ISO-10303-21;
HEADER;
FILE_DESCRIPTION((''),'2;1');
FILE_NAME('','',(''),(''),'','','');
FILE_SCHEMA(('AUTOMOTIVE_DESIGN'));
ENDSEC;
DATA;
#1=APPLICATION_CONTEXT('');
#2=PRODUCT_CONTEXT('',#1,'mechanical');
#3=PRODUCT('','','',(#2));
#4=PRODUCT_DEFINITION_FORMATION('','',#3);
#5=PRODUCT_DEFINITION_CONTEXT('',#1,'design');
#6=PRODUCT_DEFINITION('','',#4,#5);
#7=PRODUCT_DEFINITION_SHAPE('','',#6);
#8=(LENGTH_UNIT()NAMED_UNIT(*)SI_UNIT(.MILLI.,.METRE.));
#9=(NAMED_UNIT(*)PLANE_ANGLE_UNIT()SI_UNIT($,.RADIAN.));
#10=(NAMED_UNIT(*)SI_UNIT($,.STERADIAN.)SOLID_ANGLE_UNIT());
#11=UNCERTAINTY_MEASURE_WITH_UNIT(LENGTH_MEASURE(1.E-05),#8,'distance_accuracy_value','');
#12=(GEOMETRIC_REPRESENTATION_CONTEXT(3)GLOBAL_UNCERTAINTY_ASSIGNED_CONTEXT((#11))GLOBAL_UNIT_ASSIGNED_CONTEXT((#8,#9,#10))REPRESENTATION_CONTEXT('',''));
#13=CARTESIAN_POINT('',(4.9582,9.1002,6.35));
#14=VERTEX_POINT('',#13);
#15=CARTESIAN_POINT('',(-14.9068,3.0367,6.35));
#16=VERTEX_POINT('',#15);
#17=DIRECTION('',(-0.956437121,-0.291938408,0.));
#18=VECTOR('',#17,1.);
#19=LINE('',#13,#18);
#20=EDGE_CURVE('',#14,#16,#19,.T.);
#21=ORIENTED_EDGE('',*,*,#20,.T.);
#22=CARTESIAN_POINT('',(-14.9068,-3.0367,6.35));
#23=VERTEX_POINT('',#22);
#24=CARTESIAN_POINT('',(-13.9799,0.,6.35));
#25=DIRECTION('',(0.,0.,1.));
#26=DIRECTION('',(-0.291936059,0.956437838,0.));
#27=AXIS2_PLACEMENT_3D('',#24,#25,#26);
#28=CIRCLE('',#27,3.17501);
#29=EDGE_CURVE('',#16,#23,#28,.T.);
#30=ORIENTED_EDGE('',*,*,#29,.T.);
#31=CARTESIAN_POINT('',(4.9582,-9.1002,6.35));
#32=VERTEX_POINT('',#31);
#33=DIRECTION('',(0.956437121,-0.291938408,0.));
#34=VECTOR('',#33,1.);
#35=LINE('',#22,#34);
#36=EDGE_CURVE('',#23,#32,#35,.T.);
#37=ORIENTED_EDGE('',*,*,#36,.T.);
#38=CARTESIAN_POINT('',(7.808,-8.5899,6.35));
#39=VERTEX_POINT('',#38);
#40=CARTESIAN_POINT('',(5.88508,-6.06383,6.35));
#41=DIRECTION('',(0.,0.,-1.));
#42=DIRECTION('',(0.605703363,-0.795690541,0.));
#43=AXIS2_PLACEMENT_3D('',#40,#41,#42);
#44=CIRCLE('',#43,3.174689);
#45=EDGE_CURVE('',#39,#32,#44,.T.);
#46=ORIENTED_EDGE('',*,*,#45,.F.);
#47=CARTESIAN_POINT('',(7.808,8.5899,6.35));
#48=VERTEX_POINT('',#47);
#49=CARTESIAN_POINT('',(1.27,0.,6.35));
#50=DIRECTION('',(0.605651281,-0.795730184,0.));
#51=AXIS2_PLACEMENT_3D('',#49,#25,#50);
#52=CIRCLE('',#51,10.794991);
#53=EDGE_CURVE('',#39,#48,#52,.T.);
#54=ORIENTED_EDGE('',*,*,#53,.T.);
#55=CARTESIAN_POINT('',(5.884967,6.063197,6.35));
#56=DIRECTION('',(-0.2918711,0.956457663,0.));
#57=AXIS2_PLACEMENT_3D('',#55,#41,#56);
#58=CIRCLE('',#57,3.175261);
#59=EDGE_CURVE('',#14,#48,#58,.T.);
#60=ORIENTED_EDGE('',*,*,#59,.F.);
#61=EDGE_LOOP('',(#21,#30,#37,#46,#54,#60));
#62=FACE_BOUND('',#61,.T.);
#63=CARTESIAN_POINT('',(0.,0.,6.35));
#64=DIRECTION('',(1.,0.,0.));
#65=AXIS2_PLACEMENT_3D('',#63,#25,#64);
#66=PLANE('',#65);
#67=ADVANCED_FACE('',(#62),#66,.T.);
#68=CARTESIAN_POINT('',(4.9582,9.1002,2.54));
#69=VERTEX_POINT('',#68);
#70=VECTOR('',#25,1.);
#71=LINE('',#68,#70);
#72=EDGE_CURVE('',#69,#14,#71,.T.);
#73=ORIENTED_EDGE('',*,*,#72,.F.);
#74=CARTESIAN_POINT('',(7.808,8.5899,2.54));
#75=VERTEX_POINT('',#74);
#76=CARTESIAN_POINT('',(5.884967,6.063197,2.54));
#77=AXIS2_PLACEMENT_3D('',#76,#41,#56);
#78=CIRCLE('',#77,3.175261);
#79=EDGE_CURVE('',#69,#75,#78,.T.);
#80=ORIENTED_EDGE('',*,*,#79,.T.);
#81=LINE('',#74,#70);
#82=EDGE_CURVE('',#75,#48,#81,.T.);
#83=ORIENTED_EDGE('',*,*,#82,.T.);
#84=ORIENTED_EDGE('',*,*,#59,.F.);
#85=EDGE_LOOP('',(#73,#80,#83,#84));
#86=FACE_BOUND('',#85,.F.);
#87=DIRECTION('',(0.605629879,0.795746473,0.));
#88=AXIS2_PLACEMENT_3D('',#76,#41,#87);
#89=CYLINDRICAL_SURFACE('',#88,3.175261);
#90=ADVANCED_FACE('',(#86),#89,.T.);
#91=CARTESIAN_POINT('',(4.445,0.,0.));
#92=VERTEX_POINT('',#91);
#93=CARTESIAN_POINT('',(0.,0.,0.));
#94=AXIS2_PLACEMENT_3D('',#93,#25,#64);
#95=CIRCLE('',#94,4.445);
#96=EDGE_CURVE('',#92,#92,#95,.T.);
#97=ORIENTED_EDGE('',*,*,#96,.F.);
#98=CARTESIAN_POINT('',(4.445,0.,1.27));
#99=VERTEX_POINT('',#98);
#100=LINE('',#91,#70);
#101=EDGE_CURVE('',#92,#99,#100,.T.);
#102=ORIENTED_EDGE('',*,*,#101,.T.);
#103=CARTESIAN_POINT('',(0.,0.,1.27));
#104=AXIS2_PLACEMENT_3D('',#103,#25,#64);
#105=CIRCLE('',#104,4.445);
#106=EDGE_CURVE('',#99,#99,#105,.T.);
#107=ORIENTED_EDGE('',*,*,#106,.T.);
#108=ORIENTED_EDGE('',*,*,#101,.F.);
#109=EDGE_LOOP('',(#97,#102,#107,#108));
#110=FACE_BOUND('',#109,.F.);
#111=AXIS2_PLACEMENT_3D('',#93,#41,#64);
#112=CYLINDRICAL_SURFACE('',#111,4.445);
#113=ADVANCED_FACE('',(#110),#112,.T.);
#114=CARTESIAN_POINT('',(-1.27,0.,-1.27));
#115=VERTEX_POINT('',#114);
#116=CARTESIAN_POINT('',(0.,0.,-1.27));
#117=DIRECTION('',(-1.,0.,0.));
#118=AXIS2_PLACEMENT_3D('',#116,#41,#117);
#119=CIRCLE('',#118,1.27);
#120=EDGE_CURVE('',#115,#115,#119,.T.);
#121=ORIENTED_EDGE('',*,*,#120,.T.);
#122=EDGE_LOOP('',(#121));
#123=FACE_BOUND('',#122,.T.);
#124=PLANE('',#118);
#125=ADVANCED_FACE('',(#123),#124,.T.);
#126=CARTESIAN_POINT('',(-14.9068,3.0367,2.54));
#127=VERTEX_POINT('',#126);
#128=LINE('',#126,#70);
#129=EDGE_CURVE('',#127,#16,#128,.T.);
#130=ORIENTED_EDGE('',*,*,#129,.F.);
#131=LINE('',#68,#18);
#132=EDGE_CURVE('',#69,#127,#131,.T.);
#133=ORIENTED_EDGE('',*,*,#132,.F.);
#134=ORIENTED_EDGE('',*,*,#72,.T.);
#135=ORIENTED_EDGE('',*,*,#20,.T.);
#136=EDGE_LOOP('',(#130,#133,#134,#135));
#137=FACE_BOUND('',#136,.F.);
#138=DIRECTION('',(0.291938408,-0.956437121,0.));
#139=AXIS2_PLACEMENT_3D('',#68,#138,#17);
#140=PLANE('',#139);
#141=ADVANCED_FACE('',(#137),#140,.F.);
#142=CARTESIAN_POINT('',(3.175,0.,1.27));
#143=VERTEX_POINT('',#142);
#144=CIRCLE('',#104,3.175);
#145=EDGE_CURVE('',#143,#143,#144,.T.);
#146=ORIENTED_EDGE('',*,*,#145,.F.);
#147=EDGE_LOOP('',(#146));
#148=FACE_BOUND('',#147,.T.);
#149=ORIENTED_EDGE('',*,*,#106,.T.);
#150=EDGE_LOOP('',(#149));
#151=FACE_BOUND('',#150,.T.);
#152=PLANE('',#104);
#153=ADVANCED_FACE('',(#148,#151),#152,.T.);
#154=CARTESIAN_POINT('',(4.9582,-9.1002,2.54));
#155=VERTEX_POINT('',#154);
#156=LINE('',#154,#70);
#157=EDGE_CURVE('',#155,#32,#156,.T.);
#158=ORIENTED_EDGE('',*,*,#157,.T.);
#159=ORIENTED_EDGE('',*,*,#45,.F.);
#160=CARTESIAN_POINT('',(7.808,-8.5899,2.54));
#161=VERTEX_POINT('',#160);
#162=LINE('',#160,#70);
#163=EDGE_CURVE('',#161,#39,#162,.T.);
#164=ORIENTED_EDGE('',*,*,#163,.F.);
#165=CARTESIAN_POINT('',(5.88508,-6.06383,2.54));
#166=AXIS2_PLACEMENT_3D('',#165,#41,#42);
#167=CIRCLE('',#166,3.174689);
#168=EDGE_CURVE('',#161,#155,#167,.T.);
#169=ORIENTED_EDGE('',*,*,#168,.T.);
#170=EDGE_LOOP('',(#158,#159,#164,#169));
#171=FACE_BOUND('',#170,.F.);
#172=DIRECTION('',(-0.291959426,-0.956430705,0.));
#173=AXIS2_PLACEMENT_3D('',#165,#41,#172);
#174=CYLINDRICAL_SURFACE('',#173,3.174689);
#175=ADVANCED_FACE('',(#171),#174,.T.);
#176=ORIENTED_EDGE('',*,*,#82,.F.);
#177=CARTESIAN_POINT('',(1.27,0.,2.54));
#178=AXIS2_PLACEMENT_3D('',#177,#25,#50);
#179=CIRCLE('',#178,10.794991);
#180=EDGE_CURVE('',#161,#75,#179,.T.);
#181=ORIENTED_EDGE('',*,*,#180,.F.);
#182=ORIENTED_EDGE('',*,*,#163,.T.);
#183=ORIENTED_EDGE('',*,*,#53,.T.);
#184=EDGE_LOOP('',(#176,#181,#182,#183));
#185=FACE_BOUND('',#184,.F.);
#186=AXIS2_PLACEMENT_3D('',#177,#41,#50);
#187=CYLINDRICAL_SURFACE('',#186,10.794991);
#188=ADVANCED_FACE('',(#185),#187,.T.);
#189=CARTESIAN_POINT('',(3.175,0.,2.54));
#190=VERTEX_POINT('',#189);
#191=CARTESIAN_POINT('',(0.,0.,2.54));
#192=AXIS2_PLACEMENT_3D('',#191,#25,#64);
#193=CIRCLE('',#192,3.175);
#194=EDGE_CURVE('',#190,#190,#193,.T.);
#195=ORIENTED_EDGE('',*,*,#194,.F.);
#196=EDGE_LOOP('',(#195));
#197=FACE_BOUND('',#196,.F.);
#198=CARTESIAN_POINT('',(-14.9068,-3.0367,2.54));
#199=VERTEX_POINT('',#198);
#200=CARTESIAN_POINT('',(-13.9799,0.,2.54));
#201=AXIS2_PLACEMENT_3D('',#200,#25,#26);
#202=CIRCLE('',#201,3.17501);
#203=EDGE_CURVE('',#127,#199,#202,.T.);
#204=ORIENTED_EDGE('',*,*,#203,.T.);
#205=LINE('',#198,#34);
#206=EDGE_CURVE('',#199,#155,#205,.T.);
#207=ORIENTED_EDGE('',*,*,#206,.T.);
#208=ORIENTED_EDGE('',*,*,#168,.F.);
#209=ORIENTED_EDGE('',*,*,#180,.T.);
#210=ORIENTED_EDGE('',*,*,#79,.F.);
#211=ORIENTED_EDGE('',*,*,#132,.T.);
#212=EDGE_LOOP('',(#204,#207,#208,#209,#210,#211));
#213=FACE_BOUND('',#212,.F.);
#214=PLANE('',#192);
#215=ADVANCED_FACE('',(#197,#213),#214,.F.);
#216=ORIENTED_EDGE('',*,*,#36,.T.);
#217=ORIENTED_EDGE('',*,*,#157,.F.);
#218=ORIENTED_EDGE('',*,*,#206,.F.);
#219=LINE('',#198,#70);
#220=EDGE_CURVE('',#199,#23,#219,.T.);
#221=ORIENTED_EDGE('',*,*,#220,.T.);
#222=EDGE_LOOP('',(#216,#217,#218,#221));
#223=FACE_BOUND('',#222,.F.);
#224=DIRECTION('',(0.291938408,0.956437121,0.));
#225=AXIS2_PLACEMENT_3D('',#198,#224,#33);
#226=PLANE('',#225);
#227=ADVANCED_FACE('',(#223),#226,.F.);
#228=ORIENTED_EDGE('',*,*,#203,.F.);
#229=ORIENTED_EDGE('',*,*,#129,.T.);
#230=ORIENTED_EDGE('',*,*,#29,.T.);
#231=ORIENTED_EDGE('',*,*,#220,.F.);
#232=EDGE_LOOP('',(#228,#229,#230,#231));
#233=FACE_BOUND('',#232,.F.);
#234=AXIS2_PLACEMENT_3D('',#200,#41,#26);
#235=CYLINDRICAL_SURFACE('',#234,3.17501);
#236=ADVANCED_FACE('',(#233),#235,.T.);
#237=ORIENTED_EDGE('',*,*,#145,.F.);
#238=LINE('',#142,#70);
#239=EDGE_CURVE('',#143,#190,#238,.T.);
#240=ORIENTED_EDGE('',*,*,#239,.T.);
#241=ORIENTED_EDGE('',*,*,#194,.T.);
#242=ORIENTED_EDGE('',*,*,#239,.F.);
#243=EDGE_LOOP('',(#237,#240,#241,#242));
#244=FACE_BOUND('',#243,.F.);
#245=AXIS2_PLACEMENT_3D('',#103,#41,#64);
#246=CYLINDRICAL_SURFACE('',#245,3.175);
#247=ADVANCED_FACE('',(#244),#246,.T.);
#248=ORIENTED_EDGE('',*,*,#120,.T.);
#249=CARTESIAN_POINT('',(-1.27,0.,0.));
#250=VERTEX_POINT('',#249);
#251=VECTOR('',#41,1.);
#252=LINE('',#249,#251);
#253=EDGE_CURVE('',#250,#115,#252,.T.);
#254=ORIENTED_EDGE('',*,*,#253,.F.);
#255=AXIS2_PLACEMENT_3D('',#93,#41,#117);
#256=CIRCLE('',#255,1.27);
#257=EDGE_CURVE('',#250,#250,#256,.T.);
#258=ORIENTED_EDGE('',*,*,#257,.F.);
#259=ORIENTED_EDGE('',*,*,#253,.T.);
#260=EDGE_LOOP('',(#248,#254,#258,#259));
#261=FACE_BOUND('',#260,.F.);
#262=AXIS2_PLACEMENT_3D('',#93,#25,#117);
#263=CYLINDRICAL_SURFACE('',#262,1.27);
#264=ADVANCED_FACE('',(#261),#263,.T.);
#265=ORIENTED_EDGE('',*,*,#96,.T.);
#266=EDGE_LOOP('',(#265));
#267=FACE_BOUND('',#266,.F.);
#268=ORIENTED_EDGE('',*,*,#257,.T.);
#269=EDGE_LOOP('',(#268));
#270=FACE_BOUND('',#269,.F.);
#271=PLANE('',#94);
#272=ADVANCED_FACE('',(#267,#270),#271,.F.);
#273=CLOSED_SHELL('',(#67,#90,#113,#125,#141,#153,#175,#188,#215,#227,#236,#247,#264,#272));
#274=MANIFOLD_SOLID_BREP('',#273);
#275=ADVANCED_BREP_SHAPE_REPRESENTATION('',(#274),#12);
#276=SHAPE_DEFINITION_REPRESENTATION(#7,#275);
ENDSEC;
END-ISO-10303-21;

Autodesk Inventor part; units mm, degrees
ref_plane "YZ Plane" through (0, 0, 0) normal (1, 0, 0) x (0, 1, 0)
ref_plane "XZ Plane" through (0, 0, 0) normal (0, 1, 0) x (-1, 0, 0)
ref_plane "XY Plane" through (0, 0, 0) normal (0, 0, 1) x (1, 0, 0)
sketch "Sketch1" plane through (0, 0, 0) normal (0, 0, 1) x (1, 0, 0)
  circle A0 centre (0, 0) radius 4.445
  dimension "d0" = 8.89
extrude "Extrusion1" add sketch "Sketch1" along normal blind 1.27
sketch "Sketch2" plane through (0, 0, 0) normal (0, 0, -1) x (-1, 0, 0)
  circle A0 centre (0, 0) radius 4.445 projected
  circle A1 centre (0, 0) radius 1.27
  dimension "d3" = 2.54
extrude "Extrusion2" add sketch "Sketch2" along normal blind 1.27 contours A1
sketch "Sketch3" plane through (0, 0, 1.27) normal (0, 0, 1) x (1, 0, 0)
  circle A0 centre (0, 0) radius 4.445 projected
  circle A1 centre (0, 0) radius 3.175
  dimension "d6" = 6.35
extrude "Extrusion3" add sketch "Sketch3" along normal blind 1.27 contours A1
sketch "Sketch4" plane through (0, 0, 2.54) normal (0, 0, 1) x (1, 0, 0)
  circle A0 centre (0, 0) radius 3.175 projected
  line L0 (6.35, -9.525) -> (6.35, 9.525)
  line L1 (4.9582, 9.1002) -> (-14.9068, 3.0367)
  line L2 (-14.9068, -3.0367) -> (4.9582, -9.1002)
  arc A1 (7.808, -8.5899) -> (7.808, 8.5899) centre (1.27, 0) ccw
  arc A2 (-14.9068, 3.0367) -> (-14.9068, -3.0367) centre (-13.9799, 0) ccw
  arc A3 (7.808, 8.5899) -> (4.9582, 9.1002) centre (5.8851, 6.0635) ccw
  arc A4 (4.9582, -9.1002) -> (7.808, -8.5899) centre (5.8851, -6.0635) ccw
  point P0 (-24.8555, 0)
  dimension "d9" = 19.05
  dimension "d13" = 9.525
  dimension "d14" = 6.35
  dimension "d15" = 10.795
  dimension "d16" = 3.175
  dimension "d20" = 0
  dimension "d21" = 22.225
  dimension "d22" = 3.175
extrude "Extrusion4" add sketch "Sketch4" along normal blind 3.81 contours A0 | A4 L2 A2 L1 A3 L0 | L0 A3 A1 A4
properties part number "Knob 1764"
